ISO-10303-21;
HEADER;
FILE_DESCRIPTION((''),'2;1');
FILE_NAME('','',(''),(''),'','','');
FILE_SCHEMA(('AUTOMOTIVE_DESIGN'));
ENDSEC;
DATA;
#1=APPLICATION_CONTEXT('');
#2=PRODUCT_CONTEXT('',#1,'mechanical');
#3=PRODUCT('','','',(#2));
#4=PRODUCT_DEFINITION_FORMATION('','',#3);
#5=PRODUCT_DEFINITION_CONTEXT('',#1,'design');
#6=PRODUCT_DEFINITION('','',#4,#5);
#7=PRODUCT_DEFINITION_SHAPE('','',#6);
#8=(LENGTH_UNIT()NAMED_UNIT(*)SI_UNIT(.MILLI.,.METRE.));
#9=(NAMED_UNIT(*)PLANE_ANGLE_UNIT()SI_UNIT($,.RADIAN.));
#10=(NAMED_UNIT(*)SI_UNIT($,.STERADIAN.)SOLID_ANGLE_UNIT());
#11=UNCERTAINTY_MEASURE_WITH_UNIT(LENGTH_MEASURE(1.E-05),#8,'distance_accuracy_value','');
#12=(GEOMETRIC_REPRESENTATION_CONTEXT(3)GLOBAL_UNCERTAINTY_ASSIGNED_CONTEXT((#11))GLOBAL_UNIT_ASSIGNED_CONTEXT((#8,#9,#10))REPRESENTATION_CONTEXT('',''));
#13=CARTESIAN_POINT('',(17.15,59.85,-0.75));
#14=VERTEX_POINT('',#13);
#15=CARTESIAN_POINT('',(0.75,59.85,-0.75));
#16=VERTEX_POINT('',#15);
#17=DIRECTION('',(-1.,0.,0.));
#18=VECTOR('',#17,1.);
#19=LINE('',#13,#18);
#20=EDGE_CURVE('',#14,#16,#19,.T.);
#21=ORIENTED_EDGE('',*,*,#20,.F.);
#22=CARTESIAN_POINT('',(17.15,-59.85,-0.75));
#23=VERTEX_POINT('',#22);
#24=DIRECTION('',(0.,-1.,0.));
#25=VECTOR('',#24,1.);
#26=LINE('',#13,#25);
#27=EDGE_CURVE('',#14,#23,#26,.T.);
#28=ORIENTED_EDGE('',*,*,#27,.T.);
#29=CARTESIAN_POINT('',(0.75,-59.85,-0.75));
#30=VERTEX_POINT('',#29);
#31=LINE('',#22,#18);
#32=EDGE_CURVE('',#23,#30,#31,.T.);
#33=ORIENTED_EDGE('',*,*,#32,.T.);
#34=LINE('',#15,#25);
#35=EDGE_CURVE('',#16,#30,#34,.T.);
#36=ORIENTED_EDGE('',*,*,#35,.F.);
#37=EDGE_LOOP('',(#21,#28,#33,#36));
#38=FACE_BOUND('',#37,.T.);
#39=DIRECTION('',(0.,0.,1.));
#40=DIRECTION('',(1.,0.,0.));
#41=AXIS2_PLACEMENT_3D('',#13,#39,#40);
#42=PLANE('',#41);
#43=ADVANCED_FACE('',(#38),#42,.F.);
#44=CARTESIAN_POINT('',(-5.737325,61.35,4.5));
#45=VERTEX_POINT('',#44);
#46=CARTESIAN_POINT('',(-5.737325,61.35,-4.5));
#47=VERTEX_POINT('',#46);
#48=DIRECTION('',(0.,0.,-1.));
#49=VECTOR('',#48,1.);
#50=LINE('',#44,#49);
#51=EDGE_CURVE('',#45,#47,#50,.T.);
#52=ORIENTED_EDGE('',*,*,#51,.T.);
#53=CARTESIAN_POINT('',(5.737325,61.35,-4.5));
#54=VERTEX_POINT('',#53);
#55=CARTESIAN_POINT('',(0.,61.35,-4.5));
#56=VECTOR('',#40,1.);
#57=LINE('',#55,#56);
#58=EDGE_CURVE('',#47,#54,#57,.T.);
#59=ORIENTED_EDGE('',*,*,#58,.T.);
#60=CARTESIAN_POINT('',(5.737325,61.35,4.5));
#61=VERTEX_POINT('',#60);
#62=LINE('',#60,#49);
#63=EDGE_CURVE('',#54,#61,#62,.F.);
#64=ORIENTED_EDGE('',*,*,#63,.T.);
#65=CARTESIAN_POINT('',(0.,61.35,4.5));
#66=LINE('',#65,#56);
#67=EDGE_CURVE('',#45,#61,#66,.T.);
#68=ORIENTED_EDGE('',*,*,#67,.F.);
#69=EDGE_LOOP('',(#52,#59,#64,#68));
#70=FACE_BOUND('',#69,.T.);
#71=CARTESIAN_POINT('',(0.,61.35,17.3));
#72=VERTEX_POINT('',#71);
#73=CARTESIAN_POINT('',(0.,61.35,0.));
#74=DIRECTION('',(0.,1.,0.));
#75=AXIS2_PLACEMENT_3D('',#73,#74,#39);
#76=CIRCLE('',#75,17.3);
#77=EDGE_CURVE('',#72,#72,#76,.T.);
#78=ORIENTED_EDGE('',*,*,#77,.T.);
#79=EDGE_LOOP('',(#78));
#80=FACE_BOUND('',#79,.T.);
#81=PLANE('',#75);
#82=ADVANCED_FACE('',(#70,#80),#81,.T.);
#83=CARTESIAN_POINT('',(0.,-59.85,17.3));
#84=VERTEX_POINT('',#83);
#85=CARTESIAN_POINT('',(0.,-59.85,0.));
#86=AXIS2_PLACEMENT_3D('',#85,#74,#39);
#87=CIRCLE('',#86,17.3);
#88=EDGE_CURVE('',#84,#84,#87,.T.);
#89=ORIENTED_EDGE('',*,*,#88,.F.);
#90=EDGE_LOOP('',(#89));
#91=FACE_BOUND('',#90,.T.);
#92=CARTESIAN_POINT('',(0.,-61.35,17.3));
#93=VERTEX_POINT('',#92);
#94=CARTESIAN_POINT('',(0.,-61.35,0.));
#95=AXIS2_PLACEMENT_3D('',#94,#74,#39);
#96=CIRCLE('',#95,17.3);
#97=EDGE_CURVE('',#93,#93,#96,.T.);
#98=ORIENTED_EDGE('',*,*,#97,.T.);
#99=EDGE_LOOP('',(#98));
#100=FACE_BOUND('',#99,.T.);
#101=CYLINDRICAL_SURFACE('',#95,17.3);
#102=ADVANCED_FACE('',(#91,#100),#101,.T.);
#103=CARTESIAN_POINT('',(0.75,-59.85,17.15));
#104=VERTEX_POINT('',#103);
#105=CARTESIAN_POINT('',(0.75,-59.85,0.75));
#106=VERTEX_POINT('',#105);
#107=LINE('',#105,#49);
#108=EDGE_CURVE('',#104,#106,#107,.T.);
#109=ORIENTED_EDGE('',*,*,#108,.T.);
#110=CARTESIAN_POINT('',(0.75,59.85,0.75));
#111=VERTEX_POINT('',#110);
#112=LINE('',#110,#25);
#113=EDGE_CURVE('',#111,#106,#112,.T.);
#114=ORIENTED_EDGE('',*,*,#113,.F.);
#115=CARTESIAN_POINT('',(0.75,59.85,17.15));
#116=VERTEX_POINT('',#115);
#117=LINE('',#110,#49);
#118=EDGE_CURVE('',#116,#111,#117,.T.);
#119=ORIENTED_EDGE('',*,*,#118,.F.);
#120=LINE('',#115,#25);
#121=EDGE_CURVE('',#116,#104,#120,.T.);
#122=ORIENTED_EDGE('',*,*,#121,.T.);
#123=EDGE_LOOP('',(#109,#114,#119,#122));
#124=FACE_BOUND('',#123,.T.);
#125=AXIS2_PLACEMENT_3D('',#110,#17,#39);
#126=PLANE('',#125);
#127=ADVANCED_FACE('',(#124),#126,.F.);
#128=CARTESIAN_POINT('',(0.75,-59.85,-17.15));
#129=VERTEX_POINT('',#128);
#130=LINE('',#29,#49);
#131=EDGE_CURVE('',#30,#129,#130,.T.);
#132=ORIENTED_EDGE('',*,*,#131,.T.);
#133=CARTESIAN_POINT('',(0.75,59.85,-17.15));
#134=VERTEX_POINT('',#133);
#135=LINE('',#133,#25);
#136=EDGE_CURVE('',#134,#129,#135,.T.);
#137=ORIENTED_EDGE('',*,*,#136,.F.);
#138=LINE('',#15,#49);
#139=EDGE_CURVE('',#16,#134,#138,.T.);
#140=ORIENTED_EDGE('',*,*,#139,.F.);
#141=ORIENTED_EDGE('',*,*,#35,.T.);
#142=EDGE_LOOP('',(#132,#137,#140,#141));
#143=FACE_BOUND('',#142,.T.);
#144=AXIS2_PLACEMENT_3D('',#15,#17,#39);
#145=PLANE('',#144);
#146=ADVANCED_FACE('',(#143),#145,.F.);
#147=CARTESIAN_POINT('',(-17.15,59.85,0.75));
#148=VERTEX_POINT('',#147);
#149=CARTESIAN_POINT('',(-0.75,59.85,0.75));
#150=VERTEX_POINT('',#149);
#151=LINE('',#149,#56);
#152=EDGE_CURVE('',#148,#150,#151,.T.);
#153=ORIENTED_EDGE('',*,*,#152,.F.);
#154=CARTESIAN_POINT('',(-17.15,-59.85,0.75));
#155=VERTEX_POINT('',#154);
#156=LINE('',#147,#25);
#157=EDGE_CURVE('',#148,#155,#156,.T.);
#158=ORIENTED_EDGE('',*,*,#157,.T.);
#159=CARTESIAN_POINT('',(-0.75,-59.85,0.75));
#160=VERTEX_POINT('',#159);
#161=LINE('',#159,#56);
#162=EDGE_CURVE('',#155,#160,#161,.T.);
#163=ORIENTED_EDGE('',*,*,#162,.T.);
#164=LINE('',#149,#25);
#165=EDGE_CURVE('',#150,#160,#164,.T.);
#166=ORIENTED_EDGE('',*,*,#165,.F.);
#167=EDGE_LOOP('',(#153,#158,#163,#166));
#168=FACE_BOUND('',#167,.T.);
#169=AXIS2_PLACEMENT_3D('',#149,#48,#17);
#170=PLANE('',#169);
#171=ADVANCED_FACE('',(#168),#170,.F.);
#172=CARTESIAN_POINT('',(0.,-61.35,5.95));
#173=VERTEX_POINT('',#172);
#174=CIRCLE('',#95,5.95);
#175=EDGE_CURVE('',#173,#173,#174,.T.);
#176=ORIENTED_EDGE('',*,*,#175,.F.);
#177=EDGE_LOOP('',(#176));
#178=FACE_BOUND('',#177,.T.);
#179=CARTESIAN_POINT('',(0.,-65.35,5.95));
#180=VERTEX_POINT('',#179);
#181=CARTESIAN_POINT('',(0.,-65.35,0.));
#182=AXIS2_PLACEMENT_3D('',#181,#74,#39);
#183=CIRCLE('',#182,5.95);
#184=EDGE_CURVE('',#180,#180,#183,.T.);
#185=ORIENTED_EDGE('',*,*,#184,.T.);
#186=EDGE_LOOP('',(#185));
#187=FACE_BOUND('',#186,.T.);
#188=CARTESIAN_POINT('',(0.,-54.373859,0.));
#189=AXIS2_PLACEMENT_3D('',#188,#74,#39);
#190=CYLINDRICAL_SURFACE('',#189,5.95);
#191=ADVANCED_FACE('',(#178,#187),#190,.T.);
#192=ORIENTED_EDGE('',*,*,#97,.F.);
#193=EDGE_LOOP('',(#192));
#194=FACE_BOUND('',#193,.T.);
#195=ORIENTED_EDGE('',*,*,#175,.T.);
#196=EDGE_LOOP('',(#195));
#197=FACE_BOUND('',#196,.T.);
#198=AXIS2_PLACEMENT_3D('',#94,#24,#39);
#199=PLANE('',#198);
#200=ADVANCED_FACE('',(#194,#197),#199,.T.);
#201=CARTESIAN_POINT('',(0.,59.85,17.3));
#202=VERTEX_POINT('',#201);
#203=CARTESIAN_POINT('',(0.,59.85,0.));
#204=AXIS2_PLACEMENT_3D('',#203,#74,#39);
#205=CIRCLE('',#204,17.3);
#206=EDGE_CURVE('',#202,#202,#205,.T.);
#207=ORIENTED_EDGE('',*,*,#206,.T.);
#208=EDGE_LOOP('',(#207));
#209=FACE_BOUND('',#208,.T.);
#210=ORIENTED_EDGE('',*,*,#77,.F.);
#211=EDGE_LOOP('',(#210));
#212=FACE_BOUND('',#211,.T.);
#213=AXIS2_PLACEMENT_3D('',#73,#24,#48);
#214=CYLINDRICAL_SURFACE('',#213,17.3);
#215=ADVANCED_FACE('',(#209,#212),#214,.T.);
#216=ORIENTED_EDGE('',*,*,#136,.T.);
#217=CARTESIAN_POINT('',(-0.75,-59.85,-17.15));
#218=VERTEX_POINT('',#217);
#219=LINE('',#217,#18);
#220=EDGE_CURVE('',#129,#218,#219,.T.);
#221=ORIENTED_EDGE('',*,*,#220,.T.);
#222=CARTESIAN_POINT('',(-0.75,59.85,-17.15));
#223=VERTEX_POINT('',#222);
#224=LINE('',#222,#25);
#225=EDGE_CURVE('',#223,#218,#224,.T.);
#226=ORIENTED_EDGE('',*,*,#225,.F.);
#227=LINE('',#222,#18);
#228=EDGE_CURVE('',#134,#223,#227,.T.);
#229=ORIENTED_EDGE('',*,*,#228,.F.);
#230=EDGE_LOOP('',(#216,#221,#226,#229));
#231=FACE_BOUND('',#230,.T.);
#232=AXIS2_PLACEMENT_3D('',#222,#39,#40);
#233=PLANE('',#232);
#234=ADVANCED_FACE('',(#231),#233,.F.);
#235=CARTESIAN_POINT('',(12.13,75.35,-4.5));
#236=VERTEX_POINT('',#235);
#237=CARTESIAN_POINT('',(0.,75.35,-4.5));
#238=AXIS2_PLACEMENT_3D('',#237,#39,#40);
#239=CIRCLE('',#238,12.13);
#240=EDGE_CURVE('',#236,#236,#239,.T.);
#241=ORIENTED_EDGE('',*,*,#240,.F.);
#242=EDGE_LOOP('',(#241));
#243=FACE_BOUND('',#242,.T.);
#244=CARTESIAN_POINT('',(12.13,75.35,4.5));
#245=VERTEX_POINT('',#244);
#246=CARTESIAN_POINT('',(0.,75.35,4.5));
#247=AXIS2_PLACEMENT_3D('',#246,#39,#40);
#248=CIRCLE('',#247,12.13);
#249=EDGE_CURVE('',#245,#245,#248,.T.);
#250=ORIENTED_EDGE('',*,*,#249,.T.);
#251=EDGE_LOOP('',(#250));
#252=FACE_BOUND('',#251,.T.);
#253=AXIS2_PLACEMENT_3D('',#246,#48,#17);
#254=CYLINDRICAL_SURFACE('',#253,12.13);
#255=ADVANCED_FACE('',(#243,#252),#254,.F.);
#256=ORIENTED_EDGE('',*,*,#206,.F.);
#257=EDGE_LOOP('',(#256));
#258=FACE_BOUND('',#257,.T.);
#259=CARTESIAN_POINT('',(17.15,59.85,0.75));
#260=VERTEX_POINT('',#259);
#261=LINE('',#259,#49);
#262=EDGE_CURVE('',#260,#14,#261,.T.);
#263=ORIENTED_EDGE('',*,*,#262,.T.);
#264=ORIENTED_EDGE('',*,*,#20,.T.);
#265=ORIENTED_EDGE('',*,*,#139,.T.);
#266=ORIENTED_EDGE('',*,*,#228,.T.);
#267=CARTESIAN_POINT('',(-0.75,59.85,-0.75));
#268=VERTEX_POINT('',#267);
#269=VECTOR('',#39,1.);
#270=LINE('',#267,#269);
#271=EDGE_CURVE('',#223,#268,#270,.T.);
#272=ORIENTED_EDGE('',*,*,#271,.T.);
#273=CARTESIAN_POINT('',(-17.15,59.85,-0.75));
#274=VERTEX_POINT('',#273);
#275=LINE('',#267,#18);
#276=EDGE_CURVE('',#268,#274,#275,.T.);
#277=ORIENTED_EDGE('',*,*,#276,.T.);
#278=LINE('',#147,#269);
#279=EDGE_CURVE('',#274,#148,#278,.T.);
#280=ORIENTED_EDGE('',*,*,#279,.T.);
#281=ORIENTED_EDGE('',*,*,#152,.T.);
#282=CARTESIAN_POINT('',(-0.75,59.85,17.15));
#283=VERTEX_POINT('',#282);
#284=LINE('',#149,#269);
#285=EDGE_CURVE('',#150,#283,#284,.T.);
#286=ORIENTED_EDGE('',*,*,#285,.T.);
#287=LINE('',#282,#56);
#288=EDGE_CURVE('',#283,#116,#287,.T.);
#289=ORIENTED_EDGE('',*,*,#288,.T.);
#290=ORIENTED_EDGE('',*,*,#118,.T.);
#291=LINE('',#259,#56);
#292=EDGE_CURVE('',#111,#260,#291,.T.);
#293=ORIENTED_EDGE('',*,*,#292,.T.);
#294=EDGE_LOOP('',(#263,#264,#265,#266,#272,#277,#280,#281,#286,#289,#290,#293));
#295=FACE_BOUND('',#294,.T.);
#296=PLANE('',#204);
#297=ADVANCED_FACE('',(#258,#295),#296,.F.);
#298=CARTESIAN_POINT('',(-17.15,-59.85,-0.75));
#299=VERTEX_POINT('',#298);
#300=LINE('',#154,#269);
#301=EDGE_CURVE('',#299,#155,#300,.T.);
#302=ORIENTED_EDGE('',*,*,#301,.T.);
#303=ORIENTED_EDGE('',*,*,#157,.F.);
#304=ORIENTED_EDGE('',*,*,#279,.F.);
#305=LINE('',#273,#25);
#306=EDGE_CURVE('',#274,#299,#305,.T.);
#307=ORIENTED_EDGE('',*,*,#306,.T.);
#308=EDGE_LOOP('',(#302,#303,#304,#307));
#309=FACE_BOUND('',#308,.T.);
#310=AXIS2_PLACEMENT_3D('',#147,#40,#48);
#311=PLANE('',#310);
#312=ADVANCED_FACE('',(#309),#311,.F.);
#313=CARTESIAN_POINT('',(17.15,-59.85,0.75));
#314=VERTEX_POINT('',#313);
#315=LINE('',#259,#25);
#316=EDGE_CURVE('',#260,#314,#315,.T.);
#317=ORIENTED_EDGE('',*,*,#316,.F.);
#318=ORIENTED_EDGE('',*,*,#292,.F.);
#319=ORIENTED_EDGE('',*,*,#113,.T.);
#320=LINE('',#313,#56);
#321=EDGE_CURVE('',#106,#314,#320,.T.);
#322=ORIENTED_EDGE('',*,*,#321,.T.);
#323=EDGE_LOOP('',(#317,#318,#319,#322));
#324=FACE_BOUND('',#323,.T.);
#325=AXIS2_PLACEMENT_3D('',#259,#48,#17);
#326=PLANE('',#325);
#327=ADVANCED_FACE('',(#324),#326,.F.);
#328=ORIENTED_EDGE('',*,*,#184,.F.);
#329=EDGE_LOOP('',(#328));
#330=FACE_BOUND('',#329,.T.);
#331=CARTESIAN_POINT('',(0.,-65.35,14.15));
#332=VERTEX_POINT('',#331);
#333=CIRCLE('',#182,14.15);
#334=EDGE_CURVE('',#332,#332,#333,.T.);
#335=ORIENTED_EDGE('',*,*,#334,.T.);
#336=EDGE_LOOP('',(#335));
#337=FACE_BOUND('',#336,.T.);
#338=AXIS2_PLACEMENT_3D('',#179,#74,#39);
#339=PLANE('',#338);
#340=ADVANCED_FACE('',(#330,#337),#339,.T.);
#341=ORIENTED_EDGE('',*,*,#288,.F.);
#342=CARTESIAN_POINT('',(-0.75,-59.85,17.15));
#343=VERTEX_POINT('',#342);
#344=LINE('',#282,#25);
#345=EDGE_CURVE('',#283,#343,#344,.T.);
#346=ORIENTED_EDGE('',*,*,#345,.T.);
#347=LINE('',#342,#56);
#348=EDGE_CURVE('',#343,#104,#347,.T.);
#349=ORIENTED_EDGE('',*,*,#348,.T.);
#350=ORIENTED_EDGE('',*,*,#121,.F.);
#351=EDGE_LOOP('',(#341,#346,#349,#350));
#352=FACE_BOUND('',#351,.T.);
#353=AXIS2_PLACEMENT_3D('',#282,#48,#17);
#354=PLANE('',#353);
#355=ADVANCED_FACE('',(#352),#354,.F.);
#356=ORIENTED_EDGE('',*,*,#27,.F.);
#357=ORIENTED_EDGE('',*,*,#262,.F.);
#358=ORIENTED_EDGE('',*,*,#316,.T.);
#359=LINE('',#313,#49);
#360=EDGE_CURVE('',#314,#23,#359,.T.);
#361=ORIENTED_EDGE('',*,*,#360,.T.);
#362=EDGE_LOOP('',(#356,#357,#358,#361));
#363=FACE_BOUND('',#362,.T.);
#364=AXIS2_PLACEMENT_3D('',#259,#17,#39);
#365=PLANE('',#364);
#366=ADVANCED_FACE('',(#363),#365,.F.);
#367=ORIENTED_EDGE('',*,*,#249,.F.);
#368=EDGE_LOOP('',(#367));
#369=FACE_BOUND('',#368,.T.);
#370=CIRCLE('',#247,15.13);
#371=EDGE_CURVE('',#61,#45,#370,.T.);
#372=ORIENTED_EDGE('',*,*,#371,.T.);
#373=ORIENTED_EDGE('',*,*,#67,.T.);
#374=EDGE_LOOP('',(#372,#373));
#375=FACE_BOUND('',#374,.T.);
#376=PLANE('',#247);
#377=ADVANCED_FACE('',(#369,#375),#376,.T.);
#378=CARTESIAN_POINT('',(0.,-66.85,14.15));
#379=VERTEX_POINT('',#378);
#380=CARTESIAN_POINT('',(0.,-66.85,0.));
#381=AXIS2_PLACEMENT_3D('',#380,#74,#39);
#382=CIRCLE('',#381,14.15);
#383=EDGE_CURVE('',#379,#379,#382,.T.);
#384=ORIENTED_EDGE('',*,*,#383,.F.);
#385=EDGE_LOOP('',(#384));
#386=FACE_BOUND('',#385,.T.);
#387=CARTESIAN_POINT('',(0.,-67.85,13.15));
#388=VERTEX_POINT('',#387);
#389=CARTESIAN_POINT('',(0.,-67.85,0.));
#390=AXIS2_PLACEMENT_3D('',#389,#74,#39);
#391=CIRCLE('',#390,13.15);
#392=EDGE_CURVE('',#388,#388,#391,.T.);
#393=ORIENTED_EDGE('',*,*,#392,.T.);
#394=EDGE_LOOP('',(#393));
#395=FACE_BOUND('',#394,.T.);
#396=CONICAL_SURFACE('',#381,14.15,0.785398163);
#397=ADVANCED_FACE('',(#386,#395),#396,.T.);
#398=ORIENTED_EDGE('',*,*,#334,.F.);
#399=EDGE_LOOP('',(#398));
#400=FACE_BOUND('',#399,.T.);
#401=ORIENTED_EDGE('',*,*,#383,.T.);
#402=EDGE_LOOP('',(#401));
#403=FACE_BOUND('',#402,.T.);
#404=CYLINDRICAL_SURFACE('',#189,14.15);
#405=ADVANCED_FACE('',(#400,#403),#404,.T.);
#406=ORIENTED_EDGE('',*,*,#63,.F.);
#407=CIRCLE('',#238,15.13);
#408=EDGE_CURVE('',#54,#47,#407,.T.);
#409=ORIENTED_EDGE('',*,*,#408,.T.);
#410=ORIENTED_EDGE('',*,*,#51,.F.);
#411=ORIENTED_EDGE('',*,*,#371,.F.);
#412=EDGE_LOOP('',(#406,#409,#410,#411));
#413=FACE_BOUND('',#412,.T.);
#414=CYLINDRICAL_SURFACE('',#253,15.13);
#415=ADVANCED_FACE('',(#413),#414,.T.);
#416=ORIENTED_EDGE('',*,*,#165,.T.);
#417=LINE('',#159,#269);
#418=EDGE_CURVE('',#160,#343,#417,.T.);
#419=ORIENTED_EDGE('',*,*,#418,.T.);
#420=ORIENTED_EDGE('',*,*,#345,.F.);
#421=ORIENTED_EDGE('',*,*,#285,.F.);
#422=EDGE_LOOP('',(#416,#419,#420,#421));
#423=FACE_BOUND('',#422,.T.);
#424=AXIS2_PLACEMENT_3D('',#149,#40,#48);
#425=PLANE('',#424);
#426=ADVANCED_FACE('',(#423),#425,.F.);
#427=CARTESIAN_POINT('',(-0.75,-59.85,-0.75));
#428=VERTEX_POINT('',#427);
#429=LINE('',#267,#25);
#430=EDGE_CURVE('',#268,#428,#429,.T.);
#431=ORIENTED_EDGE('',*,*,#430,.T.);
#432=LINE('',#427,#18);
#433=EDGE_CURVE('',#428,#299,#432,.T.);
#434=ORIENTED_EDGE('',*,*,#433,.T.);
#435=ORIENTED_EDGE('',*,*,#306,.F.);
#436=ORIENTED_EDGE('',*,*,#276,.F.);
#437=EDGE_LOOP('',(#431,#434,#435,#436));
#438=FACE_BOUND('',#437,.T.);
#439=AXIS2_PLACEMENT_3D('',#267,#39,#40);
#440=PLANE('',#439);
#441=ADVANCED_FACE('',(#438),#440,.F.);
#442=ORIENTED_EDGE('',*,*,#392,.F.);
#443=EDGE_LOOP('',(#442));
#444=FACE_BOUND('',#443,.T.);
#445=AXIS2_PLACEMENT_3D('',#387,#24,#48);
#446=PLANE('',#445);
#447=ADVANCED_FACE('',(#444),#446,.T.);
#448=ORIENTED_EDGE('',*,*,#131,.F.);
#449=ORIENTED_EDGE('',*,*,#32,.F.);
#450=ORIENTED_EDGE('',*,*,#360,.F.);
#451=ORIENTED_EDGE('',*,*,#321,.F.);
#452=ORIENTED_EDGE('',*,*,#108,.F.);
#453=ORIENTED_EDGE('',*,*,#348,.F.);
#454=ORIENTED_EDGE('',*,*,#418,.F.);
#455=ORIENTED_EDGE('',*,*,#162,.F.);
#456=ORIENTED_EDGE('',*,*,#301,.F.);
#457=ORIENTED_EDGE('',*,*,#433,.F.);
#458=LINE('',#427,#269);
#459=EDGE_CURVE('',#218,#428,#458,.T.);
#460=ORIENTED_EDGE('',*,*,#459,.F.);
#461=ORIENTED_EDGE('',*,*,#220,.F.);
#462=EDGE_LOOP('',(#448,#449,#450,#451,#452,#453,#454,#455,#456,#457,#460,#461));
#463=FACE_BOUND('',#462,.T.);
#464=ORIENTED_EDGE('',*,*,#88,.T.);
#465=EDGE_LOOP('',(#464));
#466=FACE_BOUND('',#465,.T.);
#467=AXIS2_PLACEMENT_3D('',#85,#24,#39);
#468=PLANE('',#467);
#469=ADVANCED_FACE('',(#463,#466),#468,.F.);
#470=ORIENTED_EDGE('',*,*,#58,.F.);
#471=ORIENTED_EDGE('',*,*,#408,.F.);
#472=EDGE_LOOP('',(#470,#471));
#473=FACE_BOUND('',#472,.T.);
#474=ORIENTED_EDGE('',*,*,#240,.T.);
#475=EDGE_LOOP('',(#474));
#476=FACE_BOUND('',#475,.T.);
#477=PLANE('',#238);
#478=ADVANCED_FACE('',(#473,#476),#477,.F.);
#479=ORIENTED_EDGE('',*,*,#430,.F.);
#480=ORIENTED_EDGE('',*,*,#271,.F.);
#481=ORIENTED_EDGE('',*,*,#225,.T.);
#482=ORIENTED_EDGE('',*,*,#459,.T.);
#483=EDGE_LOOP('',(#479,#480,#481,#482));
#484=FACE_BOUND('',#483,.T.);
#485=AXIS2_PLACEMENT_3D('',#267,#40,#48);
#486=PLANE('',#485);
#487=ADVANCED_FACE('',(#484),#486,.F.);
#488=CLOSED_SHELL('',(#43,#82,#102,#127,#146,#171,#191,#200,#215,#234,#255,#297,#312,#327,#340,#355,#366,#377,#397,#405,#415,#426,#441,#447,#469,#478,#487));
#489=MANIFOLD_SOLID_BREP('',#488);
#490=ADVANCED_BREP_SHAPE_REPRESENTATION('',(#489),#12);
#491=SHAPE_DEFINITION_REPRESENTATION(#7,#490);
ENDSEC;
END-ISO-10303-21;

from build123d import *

# Parameters (mm, degrees)
BOSS_EXTRUDE1_DEPTH = 59.85
SKETCH2_R           = 17.3
BOSS_EXTRUDE2_DEPTH = 1.5
SKETCH3_R           = 15.13
SKETCH3_R_2         = 12.13
BOSS_EXTRUDE3_DEPTH = 4.5


with BuildPart() as part:
    # Sketch1 → Boss-Extrude1 (new, symmetric)
    with BuildSketch(Plane(origin=(0, 0, 0), x_dir=(1, 0, 0), z_dir=(0, 1, 0))):
        Polygon((-0.75, 0.75), (-17.15, 0.75), (-17.15, -0.75), (-0.75, -0.75), (-0.75, -17.15), (0.75, -17.15), (0.75, -0.75), (17.15, -0.75), (17.15, 0.75), (0.75, 0.75), (0.75, 17.15), (-0.75, 17.15), align=None)
    extrude(amount=BOSS_EXTRUDE1_DEPTH, both=True)

    # Sketch2 → Boss-Extrude2 (add)
    with BuildSketch(Plane(origin=(0, 59.85, 0), x_dir=(1, 0, 0), z_dir=(0, 1, 0))):
        with Locations(Location((0, 0, 0), (0, 0, 270))):
            Circle(SKETCH2_R)
    boss_extrude2 = extrude(amount=BOSS_EXTRUDE2_DEPTH)

    # Mirror1: Boss-Extrude2 across plane
    add(boss_extrude2.mirror(Plane.ZX))

    # Sketch3 → Boss-Extrude3 (add, symmetric)
    with BuildSketch(Plane.XY):
        with Locations((0, 75.35)):
            Circle(SKETCH3_R)
        with Locations((0, 75.35)):
            Circle(SKETCH3_R_2, mode=Mode.SUBTRACT)
    extrude(amount=BOSS_EXTRUDE3_DEPTH, both=True)

    # Sketch4 → Revolve1 (revolve)
    with BuildSketch(Plane(origin=(0, 0, 0), x_dir=(0, 0, -1), z_dir=(1, 0, 0))):
        Polygon((-5.95, -61.35), (-5.95, -65.35), (-14.15, -65.35), (-14.15, -66.85), (-13.15, -67.85), (0, -67.85), (0, -61.35), align=None)
    revolve(axis=Axis((0, -54.373859454, 0), (0, -1, 0)))


solid = part.part
